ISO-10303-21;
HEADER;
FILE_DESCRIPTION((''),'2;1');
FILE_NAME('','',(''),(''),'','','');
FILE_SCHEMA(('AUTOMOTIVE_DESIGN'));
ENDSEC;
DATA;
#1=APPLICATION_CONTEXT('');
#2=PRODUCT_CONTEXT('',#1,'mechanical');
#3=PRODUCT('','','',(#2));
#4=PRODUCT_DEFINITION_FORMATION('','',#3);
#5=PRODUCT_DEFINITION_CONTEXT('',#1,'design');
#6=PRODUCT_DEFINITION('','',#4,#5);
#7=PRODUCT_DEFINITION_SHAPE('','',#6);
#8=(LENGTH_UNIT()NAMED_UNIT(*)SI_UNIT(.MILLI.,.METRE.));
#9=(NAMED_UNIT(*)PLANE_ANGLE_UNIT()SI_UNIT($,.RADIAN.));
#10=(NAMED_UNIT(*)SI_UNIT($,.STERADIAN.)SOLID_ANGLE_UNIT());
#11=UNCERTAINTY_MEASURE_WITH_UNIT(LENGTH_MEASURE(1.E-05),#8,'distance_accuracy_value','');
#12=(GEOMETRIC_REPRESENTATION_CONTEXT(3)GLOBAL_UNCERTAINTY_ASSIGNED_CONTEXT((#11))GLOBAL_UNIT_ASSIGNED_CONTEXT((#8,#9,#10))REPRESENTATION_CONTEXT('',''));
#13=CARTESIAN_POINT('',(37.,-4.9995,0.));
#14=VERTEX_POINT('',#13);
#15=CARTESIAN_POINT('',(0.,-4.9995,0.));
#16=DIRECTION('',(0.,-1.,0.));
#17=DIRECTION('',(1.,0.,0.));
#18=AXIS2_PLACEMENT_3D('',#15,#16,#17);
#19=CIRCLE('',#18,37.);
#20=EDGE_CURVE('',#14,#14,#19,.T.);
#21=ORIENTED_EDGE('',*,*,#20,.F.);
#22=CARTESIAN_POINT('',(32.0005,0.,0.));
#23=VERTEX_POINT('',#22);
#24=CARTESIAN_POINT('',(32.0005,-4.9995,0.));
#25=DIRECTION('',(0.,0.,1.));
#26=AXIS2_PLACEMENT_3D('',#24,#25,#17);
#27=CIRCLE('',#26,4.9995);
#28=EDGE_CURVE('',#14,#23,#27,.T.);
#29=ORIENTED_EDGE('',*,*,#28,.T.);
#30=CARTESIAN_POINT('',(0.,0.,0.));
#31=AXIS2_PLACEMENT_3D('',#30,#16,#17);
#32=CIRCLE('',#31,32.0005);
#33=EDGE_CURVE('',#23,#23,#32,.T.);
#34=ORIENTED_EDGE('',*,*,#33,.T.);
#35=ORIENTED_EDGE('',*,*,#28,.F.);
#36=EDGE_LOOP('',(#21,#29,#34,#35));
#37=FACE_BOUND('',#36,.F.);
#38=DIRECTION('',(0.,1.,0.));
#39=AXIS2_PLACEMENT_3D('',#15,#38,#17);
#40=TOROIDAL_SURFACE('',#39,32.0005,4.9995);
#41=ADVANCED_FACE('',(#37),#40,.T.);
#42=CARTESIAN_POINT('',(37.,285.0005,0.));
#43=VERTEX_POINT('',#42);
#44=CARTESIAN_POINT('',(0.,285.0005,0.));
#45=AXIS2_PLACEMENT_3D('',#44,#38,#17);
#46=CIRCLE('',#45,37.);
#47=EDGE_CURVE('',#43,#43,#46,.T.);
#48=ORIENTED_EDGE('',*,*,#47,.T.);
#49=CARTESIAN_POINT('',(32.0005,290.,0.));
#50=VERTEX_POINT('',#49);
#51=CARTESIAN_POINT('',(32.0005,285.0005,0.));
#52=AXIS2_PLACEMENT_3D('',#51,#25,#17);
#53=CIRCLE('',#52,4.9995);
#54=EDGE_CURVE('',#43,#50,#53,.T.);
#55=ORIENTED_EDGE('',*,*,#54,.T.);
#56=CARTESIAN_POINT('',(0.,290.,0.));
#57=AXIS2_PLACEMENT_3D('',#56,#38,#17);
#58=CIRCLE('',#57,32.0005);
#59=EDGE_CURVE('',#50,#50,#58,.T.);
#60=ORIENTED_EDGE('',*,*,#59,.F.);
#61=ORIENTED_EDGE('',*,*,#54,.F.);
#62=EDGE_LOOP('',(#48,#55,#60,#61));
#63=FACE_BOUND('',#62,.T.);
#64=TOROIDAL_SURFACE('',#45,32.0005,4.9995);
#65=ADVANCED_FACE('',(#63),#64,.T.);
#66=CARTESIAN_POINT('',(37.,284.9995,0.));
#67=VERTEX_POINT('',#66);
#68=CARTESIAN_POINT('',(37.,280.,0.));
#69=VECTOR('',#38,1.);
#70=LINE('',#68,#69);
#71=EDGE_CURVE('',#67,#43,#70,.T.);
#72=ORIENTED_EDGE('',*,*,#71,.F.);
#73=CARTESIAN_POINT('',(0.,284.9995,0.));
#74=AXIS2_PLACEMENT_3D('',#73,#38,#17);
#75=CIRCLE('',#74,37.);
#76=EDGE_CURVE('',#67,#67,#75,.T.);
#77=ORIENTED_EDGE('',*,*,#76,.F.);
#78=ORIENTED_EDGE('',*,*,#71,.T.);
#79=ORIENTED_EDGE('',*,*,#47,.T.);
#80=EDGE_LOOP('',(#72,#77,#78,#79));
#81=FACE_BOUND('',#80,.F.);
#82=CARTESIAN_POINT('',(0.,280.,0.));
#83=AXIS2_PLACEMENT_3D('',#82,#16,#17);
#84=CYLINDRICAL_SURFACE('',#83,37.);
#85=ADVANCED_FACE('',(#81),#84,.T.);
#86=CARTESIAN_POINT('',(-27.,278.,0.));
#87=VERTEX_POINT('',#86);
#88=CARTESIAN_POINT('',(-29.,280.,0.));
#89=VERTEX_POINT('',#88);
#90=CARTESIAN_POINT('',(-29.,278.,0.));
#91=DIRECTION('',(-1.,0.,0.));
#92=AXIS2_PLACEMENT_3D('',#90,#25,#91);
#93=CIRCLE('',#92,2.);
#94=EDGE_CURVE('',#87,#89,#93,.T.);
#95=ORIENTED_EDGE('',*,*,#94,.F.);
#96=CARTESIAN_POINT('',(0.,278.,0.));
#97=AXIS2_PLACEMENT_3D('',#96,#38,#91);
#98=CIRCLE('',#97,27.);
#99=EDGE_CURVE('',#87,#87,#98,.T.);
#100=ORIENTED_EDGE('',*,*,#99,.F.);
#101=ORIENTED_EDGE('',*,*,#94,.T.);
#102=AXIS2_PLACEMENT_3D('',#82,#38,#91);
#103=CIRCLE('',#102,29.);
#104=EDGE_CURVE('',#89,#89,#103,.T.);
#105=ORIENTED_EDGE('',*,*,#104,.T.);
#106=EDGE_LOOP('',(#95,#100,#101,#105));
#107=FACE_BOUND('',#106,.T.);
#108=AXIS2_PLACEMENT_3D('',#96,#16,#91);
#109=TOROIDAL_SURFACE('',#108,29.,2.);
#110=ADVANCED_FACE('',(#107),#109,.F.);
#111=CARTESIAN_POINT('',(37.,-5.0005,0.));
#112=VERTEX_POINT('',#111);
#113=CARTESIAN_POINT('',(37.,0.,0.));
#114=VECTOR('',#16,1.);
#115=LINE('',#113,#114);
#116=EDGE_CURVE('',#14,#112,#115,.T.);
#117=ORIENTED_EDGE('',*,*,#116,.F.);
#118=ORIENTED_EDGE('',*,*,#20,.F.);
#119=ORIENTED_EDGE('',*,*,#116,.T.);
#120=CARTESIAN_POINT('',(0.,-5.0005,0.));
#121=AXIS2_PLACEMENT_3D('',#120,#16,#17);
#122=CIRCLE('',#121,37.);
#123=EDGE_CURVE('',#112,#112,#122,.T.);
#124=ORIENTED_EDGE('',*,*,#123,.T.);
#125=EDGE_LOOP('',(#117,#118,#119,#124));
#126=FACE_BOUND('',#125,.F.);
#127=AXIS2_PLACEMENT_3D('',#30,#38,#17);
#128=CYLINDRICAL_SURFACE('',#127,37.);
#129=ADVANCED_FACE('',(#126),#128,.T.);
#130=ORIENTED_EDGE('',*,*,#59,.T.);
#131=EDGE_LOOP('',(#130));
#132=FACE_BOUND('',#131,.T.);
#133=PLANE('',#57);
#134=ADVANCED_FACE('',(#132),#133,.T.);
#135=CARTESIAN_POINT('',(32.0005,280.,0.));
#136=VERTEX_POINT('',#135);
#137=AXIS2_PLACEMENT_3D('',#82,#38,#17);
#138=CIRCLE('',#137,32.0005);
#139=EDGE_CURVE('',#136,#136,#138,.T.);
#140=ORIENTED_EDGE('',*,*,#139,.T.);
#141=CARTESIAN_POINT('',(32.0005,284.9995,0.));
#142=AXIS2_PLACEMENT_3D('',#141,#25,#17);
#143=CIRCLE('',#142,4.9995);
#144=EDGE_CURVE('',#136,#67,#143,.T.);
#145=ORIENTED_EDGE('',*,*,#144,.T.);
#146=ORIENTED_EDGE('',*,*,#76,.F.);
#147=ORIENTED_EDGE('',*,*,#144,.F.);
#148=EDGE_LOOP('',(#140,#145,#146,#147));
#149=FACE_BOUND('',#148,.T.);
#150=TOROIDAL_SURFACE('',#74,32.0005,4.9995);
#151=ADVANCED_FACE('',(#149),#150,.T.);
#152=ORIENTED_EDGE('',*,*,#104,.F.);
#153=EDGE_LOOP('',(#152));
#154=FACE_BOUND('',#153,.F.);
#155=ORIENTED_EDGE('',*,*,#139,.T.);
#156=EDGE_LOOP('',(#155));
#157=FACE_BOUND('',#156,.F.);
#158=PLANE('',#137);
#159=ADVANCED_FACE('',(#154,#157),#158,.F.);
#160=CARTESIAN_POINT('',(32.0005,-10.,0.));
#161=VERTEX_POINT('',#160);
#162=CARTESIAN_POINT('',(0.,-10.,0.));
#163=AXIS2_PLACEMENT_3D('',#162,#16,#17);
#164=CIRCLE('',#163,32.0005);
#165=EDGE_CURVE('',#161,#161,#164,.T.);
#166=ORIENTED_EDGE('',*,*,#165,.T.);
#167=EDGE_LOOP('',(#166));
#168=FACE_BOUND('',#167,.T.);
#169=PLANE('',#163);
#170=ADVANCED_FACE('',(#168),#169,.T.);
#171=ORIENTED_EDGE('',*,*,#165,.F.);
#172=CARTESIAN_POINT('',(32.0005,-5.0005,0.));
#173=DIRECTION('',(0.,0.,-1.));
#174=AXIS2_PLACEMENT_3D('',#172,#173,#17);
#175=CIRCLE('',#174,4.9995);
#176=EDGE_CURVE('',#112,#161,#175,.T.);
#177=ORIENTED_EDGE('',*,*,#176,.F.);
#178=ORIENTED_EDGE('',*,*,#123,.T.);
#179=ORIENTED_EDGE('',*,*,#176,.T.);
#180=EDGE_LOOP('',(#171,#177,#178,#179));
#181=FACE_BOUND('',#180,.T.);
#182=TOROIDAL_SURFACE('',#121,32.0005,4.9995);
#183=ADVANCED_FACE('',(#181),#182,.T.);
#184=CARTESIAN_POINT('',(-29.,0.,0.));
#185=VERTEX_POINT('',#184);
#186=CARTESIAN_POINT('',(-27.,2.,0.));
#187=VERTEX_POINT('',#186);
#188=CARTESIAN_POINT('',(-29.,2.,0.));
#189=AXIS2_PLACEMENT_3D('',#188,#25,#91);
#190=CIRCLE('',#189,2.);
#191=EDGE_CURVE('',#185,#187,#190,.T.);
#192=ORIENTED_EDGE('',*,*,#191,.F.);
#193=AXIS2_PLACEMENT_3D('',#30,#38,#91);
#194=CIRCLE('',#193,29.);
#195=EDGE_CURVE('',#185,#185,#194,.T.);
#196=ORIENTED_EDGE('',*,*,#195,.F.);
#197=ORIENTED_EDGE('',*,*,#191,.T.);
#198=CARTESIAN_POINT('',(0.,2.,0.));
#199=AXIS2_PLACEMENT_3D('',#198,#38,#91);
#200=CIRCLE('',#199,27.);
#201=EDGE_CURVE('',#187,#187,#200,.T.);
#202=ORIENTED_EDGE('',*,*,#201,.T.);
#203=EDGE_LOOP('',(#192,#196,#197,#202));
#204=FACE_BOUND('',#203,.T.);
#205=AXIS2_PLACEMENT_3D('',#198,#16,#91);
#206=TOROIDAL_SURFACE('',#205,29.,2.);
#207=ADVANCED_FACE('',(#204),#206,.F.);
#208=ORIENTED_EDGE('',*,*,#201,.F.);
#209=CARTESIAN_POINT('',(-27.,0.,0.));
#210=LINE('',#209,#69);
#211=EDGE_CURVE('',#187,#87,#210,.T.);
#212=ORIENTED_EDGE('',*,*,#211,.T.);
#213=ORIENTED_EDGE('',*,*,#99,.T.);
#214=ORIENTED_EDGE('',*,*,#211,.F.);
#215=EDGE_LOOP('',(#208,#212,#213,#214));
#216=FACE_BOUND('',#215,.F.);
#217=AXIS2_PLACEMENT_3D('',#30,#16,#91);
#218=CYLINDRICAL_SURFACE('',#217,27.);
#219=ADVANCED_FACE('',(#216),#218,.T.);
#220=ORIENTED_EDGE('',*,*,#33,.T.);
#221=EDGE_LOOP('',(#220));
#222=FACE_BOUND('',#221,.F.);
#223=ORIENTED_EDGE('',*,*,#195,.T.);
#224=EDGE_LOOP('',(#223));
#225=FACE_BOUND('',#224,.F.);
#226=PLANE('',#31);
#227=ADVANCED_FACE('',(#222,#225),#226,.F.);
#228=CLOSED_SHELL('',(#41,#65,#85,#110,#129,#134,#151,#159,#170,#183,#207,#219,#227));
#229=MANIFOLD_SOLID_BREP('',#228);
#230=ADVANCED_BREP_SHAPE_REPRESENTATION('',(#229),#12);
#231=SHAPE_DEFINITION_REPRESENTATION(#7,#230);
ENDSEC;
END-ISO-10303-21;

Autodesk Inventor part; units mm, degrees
ref_plane "YZ Plane" through (0, 0, 0) normal (1, 0, 0) x (0, 1, 0)
ref_plane "XZ Plane" through (0, 0, 0) normal (0, 1, 0) x (-1, 0, 0)
ref_plane "XY Plane" through (0, 0, 0) normal (0, 0, 1) x (1, 0, 0)
sketch "草图1" plane through (0, 0, 0) normal (0, 1, 0) x (-1, 0, 0)
  circle A0 centre (0, 0) radius 27
  dimension "d0" = 54
extrude "拉伸1" add sketch "草图1" along normal blind 280
sketch "草图2" plane through (0, 280, 0) normal (0, 1, 0) x (1, 0, 0)
  circle A0 centre (0, 0) radius 37
extrude "拉伸2" add sketch "草图2" along normal blind 10
sketch "草图3" plane through (0, 0, 0) normal (0, -1, 0) x (1, 0, 0)
  circle A0 centre (0, 0) radius 37
extrude "拉伸3" add sketch "草图3" along normal blind 10
fillet "圆角1" radius 5 4 edges at (-37, 290, 0) (-37, 280, 0) (-37, 0, 0) (-37, -10, 0)
fillet "圆角2" radius 2 2 edges at (27, 280, 0) (27, 0, 0)
properties part number "销钉" material "钢，高强度，低合金"
